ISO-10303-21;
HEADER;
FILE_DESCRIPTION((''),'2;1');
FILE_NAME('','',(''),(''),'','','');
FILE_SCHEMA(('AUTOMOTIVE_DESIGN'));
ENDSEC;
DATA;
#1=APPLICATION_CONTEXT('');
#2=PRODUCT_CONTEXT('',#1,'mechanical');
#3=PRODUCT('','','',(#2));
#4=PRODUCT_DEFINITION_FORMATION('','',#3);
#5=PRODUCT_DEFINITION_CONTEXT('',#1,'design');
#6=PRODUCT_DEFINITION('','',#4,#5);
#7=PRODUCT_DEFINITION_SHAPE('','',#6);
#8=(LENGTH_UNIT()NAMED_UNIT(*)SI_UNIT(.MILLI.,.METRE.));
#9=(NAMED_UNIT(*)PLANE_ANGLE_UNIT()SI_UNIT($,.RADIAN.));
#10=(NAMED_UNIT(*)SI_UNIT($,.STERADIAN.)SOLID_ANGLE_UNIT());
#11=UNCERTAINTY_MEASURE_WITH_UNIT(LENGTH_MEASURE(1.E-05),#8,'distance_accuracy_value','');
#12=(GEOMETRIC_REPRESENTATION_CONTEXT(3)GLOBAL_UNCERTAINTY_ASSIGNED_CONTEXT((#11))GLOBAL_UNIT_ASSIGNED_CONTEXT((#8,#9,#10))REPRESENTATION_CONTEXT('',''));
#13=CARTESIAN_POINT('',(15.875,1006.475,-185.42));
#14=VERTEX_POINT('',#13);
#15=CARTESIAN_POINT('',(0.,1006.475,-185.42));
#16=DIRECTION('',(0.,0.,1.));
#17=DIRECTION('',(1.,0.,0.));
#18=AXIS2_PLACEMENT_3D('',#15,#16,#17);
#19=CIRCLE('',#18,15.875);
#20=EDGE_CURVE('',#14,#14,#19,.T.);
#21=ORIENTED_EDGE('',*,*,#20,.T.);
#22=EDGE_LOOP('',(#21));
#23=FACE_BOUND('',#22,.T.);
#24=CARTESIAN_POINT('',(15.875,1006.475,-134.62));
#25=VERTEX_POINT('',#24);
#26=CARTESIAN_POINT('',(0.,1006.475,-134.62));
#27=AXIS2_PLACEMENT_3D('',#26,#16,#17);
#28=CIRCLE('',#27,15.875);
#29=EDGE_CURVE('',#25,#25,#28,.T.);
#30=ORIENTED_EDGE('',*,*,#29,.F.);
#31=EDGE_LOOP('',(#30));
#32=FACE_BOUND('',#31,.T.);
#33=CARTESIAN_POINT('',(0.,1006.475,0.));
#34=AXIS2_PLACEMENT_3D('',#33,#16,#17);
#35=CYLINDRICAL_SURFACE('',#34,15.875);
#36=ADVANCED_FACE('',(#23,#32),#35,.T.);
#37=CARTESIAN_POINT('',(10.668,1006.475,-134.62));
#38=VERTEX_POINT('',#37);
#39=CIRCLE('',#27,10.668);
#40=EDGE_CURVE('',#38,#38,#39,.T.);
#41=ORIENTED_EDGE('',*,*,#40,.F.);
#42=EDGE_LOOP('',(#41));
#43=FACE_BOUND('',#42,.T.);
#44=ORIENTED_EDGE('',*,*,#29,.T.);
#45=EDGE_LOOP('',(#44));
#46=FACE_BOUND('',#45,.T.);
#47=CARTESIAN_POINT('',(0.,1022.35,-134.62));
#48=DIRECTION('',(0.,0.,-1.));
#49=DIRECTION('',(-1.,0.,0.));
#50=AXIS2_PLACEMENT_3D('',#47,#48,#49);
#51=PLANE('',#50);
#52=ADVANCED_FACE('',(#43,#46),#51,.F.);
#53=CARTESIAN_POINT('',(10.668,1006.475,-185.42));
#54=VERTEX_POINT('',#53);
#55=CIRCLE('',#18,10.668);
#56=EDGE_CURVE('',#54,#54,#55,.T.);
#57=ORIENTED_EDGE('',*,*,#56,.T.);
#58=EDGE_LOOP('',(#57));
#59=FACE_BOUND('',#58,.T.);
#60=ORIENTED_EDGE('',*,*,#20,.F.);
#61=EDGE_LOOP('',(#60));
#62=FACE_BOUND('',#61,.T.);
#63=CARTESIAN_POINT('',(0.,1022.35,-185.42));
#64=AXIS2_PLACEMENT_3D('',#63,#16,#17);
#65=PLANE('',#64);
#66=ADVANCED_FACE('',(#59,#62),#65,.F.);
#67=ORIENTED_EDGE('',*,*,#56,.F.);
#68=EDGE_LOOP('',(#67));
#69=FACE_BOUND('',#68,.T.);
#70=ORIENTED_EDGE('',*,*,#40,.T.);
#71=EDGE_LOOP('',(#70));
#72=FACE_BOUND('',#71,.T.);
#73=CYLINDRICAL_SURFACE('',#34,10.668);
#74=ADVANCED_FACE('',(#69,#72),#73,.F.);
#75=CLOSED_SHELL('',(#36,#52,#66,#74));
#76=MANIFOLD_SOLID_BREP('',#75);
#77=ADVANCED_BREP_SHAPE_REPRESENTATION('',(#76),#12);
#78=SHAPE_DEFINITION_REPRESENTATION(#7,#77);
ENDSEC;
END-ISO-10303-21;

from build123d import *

# Parameters (mm, degrees)
SKETCH1_W = 50.8
SKETCH1_H = 5.207


with BuildPart() as part:
    # Sketch1 → Revolve1 (revolve)
    with BuildSketch(Plane(origin=(0, 0, 0), x_dir=(0, 0, -1), z_dir=(1, 0, 0)), mode=Mode.PRIVATE) as revolve1_sk:
        with Locations((160.02, 1019.7465)):
            Rectangle(SKETCH1_W, SKETCH1_H)
    revolve(revolve1_sk.sketch.rotate(Axis((0, 1006.475, 0), (0, 0, -1)), 90), axis=Axis((0, 1006.475, 0), (0, 0, -1)))


solid = part.part
